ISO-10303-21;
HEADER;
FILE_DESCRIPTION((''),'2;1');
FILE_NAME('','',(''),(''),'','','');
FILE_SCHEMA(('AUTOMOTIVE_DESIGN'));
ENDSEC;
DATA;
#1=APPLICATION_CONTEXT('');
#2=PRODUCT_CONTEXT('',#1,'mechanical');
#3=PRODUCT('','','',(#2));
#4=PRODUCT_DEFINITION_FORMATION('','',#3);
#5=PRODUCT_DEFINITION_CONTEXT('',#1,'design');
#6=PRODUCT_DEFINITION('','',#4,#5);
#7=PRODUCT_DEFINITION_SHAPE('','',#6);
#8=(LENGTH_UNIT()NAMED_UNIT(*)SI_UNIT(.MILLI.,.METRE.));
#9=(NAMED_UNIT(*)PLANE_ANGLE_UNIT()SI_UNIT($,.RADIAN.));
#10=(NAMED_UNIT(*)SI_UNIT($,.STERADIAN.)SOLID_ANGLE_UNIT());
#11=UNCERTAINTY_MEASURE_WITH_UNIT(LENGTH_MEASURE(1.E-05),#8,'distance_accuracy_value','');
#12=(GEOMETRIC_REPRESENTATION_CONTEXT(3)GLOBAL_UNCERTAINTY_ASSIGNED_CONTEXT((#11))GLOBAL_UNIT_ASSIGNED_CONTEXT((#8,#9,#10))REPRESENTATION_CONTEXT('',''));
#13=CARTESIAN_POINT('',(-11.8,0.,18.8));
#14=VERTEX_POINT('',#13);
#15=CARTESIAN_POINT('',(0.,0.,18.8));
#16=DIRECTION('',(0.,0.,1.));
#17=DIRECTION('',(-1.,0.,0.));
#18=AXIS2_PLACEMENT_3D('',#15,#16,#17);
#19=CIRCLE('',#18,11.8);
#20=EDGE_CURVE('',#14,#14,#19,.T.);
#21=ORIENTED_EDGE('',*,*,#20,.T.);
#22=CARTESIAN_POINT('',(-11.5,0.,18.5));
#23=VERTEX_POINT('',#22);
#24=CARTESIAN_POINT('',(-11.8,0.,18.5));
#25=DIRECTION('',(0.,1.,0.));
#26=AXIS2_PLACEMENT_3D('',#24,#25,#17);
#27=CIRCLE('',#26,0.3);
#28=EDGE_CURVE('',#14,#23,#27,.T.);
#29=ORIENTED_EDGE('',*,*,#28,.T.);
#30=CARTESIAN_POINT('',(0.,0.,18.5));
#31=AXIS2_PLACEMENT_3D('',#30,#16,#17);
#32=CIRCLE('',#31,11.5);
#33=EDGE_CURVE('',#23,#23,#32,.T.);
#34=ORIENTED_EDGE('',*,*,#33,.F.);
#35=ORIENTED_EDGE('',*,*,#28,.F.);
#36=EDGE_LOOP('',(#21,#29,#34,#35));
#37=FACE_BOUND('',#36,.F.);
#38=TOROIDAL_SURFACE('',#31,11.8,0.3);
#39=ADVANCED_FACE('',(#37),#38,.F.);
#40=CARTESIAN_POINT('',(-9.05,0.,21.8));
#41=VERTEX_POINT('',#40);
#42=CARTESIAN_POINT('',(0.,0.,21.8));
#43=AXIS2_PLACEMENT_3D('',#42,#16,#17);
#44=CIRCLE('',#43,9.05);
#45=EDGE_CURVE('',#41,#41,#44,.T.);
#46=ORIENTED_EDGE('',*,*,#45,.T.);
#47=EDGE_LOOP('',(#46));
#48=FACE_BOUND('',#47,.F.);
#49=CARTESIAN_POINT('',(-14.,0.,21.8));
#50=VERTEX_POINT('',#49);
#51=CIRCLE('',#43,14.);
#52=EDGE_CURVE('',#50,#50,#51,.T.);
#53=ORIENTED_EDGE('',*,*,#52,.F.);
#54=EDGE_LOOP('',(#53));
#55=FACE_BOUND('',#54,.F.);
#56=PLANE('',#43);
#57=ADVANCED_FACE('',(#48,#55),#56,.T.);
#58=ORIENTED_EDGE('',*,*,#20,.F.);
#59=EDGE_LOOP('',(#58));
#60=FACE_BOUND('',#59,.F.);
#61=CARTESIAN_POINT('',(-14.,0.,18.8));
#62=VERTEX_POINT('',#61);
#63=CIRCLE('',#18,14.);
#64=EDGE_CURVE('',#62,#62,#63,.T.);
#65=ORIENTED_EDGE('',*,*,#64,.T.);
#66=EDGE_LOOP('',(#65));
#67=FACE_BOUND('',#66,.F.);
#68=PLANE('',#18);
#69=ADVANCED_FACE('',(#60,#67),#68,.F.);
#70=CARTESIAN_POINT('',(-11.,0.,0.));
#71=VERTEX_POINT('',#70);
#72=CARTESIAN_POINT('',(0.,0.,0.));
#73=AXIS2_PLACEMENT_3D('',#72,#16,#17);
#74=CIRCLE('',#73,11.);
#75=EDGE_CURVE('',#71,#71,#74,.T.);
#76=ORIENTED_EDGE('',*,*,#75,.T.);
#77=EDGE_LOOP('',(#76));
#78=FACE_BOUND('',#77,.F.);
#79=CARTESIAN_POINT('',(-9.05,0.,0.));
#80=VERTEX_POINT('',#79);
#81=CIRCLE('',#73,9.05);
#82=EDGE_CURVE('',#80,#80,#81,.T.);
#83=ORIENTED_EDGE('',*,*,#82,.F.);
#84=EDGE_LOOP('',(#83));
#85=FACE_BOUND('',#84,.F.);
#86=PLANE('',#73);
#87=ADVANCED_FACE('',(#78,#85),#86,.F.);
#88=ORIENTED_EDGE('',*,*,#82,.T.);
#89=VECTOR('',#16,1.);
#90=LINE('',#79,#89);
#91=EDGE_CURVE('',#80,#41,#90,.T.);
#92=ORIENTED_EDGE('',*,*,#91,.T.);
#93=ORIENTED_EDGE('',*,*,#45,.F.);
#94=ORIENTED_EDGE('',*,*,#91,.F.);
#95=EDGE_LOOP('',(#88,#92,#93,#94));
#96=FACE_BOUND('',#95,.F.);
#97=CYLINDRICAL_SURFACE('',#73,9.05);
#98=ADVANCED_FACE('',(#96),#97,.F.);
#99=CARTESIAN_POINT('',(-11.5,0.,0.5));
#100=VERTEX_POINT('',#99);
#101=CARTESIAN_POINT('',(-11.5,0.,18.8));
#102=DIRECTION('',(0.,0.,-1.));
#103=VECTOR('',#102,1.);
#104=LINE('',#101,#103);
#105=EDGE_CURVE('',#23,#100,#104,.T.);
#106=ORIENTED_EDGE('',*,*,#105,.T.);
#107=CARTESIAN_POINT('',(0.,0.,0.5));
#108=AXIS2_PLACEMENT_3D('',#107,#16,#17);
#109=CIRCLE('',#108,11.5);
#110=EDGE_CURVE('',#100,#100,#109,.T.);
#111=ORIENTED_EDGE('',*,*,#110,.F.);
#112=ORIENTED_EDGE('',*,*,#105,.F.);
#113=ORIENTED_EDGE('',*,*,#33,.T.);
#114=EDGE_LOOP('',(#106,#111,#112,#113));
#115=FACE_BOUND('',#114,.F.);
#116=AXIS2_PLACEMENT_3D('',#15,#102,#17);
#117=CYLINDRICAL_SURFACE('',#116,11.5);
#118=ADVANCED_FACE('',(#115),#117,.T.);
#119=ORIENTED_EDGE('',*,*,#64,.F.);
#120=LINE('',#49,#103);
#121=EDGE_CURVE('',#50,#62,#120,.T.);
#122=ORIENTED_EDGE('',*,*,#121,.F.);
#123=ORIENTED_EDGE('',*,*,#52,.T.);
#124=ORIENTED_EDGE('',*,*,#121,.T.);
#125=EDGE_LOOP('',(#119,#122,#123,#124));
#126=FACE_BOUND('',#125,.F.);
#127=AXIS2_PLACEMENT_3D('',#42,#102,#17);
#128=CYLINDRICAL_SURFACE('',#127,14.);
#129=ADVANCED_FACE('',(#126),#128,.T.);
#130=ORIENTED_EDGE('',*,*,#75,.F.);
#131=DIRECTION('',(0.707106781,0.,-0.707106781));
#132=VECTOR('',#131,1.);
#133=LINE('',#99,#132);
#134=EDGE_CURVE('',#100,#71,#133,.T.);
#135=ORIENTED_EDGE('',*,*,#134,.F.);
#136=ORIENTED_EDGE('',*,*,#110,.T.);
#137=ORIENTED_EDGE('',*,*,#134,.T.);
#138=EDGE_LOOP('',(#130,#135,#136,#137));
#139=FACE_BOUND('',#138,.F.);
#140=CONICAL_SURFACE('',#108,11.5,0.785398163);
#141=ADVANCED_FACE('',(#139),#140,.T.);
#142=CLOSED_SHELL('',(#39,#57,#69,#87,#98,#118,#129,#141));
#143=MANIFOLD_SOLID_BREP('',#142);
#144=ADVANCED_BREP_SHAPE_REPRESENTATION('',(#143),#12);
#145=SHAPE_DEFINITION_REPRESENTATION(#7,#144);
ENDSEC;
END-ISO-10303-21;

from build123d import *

# Parameters (mm, degrees)
F4_R    = 0.3
F5_SIZE = 0.5


with BuildPart() as f3:
    # F2 (on Front) → F3 (revolve)
    with BuildSketch(Plane.XZ):
        Polygon((-9.05, 21.8), (-14, 21.8), (-14, 18.8), (-11.5, 18.8), (-11.5, 0), (-9.05, 0), align=None)
    revolve(axis=Axis((0, 0, 10.9), (0, 0, 1)))

    # F4
    f4_edges = [f3.edges().sort_by_distance(p)[0] for p in [
        (11.5, 0, 18.8),
    ]]
    fillet(f4_edges, radius=F4_R)

    # F5
    f5_edges = [f3.edges().sort_by_distance(p)[0] for p in [
        (11.5, 0, 0),
    ]]
    chamfer(f5_edges, length=F5_SIZE)


solid = f3.part
